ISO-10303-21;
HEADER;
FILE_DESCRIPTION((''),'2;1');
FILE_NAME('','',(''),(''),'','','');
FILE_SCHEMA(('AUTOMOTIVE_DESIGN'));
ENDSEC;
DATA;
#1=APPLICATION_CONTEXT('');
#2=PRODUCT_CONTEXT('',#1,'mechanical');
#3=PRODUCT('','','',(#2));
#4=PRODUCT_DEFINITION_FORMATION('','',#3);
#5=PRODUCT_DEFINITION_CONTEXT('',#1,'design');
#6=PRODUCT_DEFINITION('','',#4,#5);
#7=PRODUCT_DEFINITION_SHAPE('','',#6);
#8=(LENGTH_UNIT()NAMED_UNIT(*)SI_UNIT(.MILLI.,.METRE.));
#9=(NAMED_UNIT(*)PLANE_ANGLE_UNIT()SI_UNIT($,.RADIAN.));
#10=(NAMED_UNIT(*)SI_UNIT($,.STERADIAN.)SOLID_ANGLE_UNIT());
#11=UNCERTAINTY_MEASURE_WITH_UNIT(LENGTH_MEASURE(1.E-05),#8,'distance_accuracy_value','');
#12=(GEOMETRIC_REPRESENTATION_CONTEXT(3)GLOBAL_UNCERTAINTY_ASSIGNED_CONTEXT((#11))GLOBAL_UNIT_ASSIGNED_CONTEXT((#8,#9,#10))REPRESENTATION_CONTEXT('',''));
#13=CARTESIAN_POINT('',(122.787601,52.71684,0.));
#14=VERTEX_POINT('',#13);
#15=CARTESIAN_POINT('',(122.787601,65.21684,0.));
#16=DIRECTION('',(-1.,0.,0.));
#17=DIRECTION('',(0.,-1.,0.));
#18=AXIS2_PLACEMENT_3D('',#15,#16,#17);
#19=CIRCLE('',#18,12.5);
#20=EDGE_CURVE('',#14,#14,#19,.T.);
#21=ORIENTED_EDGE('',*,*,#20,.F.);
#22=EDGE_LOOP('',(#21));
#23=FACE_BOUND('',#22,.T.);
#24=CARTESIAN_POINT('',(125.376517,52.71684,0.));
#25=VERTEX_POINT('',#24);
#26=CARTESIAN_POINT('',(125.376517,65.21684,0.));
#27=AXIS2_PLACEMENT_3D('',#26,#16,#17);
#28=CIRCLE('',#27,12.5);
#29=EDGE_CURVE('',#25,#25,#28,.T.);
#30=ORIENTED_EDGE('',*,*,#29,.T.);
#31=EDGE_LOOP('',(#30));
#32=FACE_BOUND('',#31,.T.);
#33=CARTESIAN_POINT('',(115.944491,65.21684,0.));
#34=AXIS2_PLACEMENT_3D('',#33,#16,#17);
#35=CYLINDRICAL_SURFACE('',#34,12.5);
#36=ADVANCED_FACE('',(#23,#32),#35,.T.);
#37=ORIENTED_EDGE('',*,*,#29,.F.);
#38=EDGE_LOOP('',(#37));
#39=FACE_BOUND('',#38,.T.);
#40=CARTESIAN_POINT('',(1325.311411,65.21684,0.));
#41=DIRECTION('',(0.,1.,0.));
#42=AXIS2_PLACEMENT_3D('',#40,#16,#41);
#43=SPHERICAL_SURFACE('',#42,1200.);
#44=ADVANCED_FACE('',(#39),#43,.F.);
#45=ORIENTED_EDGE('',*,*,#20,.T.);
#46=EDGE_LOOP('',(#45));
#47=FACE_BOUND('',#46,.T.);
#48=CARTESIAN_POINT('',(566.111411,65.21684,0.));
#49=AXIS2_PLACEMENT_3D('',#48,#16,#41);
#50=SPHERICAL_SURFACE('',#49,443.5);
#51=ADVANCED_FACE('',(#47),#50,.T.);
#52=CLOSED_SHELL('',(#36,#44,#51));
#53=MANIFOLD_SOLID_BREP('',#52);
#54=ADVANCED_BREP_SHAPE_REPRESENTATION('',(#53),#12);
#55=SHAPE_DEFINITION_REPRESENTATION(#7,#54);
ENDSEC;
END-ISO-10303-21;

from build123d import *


with BuildPart() as part:
    # 草图1 → 旋转1 (revolve)
    with BuildSketch(Plane.XY):
        with BuildLine():
            Line((122.787601258, 77.716840471), (125.376516612, 77.716840471))
            ThreePointArc((125.376516612, 77.716840471), (125.327687273, 71.466925246), (125.311410679, 65.216840471))
            Line((125.311410679, 65.216840471), (122.611410679, 65.216840471))
            ThreePointArc((122.611410679, 65.216840471), (122.655460511, 71.467461303), (122.787601258, 77.716840471))
        make_face()
    revolve(axis=Axis((115.944491298, 65.216840471, 0), (1, 0, 0)))


solid = part.part
